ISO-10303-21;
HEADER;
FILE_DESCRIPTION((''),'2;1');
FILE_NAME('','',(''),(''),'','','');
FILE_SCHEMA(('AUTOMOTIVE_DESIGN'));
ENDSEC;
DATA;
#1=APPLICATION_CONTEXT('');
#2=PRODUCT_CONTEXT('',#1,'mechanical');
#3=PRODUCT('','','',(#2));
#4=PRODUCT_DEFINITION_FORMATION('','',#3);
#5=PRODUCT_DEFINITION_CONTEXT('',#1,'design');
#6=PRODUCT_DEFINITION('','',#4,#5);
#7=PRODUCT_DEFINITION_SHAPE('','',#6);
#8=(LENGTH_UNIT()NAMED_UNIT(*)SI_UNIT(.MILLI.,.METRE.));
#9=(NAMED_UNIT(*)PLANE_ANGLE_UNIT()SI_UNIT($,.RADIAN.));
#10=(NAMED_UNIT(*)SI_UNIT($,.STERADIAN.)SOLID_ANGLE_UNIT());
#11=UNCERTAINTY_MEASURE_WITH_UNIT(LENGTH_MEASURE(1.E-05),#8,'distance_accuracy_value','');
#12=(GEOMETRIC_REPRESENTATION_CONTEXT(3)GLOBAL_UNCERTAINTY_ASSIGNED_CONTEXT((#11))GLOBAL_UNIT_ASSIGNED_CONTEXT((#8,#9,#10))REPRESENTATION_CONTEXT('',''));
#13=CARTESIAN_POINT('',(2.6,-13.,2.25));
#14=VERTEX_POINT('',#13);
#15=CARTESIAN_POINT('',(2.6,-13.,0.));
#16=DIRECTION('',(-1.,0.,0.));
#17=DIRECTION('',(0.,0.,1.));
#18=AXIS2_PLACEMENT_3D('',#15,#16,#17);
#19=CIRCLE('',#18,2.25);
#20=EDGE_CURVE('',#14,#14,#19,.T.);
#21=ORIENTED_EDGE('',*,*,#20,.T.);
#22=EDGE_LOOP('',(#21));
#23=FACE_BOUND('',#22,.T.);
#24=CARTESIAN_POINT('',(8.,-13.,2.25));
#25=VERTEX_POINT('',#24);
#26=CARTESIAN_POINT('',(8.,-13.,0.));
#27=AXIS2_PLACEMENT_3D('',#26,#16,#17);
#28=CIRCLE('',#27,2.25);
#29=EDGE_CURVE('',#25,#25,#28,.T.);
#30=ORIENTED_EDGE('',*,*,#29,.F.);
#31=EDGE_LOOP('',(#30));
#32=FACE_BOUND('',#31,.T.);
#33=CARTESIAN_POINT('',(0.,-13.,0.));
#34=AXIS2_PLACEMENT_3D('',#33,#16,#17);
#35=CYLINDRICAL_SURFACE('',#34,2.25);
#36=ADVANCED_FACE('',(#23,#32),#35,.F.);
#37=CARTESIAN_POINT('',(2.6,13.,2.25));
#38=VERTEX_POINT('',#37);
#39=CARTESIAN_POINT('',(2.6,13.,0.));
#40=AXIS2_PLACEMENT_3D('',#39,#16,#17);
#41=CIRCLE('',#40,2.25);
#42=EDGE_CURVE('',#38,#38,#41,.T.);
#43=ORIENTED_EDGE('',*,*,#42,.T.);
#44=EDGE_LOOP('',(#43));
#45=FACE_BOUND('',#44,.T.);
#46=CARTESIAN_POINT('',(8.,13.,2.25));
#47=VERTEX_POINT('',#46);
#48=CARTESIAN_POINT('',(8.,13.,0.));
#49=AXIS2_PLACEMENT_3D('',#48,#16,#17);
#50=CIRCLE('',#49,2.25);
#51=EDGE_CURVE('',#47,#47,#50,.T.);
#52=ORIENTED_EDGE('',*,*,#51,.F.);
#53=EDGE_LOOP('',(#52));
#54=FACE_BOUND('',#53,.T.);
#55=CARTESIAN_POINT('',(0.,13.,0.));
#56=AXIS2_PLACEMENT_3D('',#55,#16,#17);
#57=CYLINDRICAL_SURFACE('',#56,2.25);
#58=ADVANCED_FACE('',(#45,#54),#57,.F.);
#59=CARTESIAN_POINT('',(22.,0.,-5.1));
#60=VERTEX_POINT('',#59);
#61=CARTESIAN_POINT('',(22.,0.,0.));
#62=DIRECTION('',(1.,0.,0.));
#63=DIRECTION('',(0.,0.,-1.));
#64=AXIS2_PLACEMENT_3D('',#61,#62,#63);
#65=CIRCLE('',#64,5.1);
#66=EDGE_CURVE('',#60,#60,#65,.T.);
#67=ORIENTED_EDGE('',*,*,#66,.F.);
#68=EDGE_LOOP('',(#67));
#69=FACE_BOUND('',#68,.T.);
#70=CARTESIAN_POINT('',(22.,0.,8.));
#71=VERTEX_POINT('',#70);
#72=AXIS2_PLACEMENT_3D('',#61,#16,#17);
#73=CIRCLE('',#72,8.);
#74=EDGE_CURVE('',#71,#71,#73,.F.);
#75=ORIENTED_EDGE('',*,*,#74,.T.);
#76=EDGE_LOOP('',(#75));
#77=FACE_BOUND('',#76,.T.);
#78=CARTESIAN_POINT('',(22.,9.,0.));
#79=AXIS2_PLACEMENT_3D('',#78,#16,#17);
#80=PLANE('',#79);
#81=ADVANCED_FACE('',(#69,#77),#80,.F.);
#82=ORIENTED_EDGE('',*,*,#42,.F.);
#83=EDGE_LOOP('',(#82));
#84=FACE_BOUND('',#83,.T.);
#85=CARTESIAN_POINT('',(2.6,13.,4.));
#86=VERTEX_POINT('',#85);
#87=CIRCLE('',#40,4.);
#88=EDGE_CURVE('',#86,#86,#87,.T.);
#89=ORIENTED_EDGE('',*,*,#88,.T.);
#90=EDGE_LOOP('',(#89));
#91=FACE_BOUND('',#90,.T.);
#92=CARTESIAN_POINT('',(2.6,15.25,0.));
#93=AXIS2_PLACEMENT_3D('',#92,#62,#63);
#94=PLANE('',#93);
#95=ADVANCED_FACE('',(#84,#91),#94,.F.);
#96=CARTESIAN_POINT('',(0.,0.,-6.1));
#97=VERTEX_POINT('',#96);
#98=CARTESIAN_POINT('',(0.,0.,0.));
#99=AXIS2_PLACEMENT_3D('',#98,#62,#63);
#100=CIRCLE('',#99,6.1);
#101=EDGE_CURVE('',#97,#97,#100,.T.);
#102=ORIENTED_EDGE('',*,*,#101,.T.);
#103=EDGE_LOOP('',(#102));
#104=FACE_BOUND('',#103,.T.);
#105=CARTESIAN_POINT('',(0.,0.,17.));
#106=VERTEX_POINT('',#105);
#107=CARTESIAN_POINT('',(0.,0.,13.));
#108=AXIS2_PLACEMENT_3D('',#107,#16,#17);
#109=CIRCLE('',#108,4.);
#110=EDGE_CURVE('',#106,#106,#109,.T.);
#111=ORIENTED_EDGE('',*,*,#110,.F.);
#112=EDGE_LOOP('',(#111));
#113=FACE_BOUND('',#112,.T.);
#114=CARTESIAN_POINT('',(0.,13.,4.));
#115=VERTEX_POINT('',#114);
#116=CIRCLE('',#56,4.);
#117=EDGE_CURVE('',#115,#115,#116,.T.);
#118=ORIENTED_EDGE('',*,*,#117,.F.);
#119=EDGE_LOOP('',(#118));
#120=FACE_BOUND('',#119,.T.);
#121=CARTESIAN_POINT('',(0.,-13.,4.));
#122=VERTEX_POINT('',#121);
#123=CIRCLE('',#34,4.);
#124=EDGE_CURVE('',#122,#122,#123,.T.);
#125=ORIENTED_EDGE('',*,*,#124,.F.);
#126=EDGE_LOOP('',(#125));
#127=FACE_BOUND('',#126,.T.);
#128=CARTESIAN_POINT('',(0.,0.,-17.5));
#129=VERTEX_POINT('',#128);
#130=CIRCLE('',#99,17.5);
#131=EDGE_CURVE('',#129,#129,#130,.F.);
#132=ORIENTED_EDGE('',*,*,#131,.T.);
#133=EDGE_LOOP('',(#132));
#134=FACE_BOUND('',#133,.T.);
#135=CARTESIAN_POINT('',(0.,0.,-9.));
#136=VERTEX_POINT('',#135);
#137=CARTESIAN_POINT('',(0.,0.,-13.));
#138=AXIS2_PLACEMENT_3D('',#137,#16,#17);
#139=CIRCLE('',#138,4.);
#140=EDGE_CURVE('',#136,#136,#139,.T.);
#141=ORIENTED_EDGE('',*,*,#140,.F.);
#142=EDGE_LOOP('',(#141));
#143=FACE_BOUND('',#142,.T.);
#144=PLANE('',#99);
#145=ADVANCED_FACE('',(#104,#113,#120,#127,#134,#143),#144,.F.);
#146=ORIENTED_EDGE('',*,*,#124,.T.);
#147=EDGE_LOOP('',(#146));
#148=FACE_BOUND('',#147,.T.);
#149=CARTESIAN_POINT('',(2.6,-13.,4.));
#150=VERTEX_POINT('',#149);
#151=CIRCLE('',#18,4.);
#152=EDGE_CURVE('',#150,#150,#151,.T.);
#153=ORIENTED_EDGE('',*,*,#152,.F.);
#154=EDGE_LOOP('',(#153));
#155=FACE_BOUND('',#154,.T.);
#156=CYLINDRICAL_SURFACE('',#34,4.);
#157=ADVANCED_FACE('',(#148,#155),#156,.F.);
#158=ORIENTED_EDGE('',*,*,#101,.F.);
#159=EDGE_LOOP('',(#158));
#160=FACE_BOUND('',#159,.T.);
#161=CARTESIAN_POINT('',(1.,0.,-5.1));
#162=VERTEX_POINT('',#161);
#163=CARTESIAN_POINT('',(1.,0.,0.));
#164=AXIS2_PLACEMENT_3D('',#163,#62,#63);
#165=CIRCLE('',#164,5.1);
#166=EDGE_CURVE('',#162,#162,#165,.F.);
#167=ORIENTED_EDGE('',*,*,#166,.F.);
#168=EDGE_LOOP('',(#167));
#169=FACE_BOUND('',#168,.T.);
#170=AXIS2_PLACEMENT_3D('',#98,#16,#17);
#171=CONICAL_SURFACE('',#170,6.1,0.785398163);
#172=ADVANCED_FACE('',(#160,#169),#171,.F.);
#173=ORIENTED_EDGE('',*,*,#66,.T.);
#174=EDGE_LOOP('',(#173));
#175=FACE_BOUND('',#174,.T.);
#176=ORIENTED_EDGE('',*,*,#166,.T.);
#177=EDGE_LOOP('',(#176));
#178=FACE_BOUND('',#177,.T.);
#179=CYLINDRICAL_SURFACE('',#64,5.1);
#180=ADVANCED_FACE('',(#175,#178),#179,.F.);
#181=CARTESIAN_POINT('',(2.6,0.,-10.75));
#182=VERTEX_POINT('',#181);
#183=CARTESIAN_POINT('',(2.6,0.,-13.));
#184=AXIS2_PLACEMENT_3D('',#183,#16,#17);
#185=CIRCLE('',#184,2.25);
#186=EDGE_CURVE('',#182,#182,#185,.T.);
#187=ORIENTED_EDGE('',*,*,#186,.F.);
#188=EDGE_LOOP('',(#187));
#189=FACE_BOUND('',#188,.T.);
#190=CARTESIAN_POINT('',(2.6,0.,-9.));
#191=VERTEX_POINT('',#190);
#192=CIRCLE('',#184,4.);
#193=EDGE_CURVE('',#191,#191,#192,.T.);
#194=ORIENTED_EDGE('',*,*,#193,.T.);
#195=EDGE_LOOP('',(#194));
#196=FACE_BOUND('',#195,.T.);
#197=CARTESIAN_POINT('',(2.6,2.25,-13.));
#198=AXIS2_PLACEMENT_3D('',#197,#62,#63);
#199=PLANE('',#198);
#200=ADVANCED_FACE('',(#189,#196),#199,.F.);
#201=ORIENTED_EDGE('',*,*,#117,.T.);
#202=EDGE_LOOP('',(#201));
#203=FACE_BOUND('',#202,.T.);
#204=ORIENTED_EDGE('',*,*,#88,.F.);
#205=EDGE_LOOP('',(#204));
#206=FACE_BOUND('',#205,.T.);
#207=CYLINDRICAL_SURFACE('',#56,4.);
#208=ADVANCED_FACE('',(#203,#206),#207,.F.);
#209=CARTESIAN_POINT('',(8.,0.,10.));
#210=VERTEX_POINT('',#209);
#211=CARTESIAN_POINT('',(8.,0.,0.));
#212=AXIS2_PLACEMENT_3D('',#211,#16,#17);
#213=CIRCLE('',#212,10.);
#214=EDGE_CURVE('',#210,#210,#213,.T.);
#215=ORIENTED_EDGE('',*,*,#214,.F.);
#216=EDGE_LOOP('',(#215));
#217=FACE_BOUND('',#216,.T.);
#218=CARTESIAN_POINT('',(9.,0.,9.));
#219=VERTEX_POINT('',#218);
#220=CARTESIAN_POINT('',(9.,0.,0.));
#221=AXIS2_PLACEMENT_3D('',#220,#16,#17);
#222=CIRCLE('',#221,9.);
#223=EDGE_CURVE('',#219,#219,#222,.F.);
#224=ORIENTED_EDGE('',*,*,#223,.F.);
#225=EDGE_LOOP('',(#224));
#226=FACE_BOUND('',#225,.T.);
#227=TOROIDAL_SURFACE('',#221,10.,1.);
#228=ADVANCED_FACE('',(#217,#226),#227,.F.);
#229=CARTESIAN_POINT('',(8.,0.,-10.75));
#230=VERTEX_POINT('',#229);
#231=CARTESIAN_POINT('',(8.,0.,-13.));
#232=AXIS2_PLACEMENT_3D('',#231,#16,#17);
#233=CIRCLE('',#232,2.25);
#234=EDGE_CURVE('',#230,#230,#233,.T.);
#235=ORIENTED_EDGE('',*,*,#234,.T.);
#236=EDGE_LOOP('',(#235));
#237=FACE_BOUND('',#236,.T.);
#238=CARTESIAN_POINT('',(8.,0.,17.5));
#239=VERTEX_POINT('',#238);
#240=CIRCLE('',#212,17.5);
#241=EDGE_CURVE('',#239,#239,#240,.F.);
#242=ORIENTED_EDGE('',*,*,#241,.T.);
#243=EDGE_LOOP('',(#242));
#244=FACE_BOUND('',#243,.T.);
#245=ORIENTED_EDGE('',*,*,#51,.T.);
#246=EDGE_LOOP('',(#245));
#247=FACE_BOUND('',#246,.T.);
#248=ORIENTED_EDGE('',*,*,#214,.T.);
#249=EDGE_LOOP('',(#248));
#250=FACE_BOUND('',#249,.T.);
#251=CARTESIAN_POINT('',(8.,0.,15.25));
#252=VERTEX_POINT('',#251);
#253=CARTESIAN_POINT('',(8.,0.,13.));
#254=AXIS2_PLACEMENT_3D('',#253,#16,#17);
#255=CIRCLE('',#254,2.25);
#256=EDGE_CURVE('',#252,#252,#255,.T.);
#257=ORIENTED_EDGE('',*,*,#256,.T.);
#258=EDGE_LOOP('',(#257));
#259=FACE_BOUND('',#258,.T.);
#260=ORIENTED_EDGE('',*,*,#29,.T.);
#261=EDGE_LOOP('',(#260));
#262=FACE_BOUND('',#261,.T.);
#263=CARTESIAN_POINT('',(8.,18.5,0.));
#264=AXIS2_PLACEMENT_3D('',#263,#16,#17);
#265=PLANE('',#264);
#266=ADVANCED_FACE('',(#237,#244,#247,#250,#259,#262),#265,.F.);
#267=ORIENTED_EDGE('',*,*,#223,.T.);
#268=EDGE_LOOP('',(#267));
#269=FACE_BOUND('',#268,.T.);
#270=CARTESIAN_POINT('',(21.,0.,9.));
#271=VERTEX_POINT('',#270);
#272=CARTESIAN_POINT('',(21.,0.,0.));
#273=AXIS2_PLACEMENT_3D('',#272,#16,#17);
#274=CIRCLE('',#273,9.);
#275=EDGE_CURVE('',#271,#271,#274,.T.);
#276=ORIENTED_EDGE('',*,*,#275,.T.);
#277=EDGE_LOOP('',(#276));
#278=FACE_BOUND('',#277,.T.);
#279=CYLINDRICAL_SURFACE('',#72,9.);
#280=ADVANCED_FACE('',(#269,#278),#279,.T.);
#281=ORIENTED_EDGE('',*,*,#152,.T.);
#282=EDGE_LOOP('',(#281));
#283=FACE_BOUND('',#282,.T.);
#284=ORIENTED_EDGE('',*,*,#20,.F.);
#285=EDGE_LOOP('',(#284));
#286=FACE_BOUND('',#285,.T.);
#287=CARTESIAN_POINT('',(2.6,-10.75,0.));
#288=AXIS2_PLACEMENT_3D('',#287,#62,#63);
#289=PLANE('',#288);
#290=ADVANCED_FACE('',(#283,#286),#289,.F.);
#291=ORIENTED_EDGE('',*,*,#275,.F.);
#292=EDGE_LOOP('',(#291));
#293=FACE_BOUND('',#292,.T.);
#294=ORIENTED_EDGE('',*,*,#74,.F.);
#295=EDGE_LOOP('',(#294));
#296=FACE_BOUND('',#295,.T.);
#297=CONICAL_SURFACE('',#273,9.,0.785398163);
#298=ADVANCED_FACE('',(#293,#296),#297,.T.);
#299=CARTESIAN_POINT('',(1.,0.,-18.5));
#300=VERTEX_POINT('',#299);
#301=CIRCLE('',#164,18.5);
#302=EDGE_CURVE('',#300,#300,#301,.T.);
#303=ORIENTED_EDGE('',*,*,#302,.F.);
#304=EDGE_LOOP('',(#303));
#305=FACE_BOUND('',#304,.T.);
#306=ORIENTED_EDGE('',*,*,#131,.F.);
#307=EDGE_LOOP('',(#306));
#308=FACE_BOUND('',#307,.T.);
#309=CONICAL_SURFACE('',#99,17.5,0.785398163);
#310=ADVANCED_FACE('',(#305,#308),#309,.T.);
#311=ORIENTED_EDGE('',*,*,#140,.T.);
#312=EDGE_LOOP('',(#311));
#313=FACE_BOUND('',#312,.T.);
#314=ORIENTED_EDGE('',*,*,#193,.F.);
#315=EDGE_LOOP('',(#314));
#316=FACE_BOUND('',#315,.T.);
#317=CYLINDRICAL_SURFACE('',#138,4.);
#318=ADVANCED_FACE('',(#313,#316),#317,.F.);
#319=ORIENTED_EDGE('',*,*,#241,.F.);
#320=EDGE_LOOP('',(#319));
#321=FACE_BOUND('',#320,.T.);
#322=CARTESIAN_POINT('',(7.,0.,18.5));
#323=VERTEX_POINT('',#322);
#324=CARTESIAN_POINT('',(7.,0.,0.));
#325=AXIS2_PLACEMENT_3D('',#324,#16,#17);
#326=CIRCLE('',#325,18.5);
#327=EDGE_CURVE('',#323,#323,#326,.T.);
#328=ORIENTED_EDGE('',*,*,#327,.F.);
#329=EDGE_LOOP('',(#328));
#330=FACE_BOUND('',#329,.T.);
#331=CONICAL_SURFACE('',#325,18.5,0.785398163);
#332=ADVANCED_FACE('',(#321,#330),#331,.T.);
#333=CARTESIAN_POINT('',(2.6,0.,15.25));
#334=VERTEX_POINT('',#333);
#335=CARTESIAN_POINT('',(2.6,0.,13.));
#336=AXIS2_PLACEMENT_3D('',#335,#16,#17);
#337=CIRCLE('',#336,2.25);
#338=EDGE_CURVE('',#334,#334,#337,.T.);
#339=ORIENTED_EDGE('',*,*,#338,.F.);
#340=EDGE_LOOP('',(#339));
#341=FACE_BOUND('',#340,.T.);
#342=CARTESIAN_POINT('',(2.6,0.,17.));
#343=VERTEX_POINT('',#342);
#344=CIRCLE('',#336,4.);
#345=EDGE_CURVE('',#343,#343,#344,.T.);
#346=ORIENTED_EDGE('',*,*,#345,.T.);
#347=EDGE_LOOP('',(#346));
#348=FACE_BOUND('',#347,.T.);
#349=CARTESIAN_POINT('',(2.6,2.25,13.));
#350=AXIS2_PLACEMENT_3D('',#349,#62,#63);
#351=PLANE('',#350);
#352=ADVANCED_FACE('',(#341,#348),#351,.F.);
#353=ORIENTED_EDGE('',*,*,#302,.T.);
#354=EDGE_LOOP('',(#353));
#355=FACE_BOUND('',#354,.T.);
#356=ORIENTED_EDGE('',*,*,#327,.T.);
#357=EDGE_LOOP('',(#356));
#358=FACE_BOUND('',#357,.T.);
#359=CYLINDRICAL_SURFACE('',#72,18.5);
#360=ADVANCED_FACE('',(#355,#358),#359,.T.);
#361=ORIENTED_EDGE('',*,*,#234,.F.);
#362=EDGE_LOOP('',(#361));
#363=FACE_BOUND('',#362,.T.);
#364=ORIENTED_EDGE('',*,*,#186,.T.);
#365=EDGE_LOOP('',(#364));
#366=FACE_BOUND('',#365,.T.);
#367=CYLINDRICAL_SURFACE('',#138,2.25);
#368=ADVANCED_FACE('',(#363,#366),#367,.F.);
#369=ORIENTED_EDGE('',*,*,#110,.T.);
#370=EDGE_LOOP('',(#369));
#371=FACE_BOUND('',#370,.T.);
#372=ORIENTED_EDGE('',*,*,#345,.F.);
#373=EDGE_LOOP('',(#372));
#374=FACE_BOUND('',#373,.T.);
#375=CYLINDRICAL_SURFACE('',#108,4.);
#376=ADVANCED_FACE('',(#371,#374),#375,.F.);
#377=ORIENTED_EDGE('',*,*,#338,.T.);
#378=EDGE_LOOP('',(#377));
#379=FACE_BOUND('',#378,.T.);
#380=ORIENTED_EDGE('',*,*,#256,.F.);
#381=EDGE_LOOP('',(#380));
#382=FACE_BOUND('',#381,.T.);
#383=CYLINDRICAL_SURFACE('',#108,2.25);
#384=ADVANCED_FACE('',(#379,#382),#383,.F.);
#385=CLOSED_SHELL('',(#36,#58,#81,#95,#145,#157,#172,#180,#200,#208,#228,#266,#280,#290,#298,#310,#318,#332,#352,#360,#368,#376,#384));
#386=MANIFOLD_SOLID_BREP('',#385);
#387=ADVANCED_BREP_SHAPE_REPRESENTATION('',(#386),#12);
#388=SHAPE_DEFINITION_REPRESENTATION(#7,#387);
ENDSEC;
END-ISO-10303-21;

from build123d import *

# Parameters (mm, degrees)
FORO_LAMATO_PER_VITE_M4_A_TESTA_CILINDRI_D           = 4.5
FORO_LAMATO_PER_VITE_M4_A_TESTA_CILINDRI_CBORE_D     = 8
FORO_LAMATO_PER_VITE_M4_A_TESTA_CILINDRI_CBORE_DEPTH = 2.6
RIPETIZIONECIRCOLARE1_COUNT                          = 4
RACCORDO1_R                                          = 1
SMUSSO1_SIZE                                         = 1
FORO_FILETTATO_M12_1_D                               = 10.2
FORO_FILETTATO_M12_1_DEPTH                           = 32.75
FORO_FILETTATO_M12_1_TIP                             = 3.064389157
SMUSSO2_SIZE                                         = 1


with BuildPart() as part:
    # Schizzo1 → Rivoluzione1 (revolve)
    with BuildSketch(Plane.XY):
        Polygon((0, 0), (0, 18.5), (8, 18.5), (8, 9), (22, 9), (22, 0), align=None)
    revolve(axis=Axis((22, 0, 0), (-1, 0, 0)))

    # Foro lamato per Vite M4 a testa cilindrica piana-1 (through all)
    with Locations(Plane.ZY):
        with Locations((0, 13)):
            foro_lamato_per_vite_m4_a_testa_cilindri = CounterBoreHole(FORO_LAMATO_PER_VITE_M4_A_TESTA_CILINDRI_D / 2, FORO_LAMATO_PER_VITE_M4_A_TESTA_CILINDRI_CBORE_D / 2, FORO_LAMATO_PER_VITE_M4_A_TESTA_CILINDRI_CBORE_DEPTH)

    # RipetizioneCircolare1: Foro lamato per Vite M4 a testa cilindrica piana-1 ×4 about axis
    ripetizionecircolare1_axis = Axis((0, 0, 0), (1, 0, 0))
    for i in range(1, RIPETIZIONECIRCOLARE1_COUNT):
        add(foro_lamato_per_vite_m4_a_testa_cilindri.rotate(ripetizionecircolare1_axis, i * 360 / RIPETIZIONECIRCOLARE1_COUNT), mode=Mode.SUBTRACT)

    # Raccordo1
    raccordo1_edges = [part.edges().sort_by_distance(p)[0] for p in [
        (8, -9, 0),
    ]]
    fillet(raccordo1_edges, radius=RACCORDO1_R)

    # Smusso1
    smusso1_edges = [part.edges().sort_by_distance(p)[0] for p in [
        (22, -9, 0),
        (8, -18.5, 0),
        (0, -18.5, 0),
    ]]
    chamfer(smusso1_edges, length=SMUSSO1_SIZE)

    # Foro filettato M12-1
    with Locations(Plane(origin=(22, 0, 0), x_dir=(0, 0, -1), z_dir=(1, 0, 0))):
        with Locations((0, 0)):
            Hole(FORO_FILETTATO_M12_1_D / 2, depth=FORO_FILETTATO_M12_1_DEPTH)
            with Locations((0, 0, -(FORO_FILETTATO_M12_1_DEPTH + FORO_FILETTATO_M12_1_TIP / 2))):  # 118° drill point
                Cone(0, FORO_FILETTATO_M12_1_D / 2, FORO_FILETTATO_M12_1_TIP, mode=Mode.SUBTRACT)

    # Smusso2
    smusso2_edges = [part.edges().sort_by_distance(p)[0] for p in [
        (0, 0, -5.1),
    ]]
    chamfer(smusso2_edges, length=SMUSSO2_SIZE)


solid = part.part
